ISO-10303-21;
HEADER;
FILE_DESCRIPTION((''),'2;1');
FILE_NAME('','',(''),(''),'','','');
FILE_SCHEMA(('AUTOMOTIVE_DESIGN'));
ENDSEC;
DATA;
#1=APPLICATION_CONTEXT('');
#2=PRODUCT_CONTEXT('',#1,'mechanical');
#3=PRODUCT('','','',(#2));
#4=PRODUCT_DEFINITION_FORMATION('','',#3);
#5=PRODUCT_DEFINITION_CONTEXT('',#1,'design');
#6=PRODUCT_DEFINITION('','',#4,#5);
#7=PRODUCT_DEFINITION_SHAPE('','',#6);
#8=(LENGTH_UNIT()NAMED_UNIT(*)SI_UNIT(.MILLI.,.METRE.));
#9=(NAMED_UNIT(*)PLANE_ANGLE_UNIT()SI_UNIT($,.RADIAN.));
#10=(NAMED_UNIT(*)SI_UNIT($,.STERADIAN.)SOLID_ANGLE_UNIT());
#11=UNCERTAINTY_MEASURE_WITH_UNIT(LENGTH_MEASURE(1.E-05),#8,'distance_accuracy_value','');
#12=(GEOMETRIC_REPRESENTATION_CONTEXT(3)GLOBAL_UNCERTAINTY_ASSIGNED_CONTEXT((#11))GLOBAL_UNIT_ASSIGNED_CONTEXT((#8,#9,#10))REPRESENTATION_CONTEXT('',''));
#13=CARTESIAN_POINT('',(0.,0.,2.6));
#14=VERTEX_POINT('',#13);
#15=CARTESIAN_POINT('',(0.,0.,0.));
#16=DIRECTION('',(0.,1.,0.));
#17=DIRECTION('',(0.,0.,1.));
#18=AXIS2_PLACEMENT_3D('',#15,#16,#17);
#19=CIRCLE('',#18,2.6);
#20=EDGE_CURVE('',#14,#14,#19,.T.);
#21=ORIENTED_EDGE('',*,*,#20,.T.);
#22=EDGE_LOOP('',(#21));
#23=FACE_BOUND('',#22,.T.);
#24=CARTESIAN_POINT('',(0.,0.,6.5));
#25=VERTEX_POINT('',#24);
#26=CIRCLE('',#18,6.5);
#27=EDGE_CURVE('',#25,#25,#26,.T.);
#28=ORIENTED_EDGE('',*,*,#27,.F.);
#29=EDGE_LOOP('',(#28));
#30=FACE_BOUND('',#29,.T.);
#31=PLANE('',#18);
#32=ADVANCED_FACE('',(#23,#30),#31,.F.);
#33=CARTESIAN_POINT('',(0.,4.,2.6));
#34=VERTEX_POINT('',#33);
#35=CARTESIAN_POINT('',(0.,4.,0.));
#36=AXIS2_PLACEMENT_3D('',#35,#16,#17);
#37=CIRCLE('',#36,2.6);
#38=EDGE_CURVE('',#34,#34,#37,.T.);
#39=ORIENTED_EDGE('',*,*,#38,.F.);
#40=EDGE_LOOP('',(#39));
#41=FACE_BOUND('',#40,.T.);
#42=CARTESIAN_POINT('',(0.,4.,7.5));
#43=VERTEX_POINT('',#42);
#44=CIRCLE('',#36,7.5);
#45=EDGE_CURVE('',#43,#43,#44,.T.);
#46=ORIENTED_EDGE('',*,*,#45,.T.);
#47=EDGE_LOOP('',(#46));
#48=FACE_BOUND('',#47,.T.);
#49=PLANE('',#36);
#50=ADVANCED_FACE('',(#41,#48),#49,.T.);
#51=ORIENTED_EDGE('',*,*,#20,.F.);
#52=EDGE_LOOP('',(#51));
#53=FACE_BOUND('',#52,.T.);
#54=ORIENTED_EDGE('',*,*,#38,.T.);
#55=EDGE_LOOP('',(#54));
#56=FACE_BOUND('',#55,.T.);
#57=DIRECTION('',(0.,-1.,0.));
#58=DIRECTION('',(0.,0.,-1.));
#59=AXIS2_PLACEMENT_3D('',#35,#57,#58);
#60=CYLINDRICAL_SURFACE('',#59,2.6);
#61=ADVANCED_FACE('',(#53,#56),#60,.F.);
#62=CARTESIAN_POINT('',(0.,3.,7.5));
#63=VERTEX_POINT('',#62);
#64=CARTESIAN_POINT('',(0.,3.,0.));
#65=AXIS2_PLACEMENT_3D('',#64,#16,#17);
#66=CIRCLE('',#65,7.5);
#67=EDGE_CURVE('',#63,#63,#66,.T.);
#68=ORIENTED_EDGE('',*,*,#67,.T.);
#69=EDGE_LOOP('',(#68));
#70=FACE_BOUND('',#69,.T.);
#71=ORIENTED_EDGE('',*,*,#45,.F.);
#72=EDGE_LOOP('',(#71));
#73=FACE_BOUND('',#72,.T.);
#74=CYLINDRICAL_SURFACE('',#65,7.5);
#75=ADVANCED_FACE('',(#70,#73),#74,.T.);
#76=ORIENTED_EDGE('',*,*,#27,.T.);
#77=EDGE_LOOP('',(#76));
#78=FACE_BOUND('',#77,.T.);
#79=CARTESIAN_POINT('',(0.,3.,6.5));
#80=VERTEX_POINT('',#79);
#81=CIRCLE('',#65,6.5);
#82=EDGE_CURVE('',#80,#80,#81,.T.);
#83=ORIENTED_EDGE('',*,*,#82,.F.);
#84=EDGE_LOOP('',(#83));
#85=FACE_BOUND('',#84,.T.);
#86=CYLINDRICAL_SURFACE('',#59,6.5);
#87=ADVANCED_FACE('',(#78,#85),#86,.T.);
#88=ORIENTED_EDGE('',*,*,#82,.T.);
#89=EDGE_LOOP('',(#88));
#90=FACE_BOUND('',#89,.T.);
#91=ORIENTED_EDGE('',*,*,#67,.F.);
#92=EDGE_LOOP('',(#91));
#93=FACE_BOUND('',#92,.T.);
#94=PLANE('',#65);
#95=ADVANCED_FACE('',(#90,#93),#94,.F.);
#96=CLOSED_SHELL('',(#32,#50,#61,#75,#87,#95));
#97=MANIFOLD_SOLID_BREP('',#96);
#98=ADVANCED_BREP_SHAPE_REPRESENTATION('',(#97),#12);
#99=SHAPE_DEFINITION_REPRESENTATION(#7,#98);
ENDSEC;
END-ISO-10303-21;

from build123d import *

# Parameters (mm, degrees)
SKETCH_1_R      = 6.5
SKETCH_1_R_2    = 2.6
EXTRUDE_1_DEPTH = 4
SKETCH_2_R      = 7.5
SKETCH_2_R_2    = 2.6
EXTRUDE_2_DEPTH = 1


with BuildPart() as part:
    # 草图1 → 凸台-拉伸1 (new body)
    with BuildSketch(Plane(origin=(0, 0, 0), x_dir=(1, 0, 0), z_dir=(0, 1, 0))):
        Circle(SKETCH_1_R)
        Circle(SKETCH_1_R_2, mode=Mode.SUBTRACT)
    extrude(amount=EXTRUDE_1_DEPTH)

    # 草图2 → 凸台-拉伸2 (add)
    with BuildSketch(Plane(origin=(0, 4, 0), x_dir=(1, 0, 0), z_dir=(0, 1, 0))):
        Circle(SKETCH_2_R)
        Circle(SKETCH_2_R_2, mode=Mode.SUBTRACT)
    extrude(amount=-EXTRUDE_2_DEPTH)


solid = part.part
